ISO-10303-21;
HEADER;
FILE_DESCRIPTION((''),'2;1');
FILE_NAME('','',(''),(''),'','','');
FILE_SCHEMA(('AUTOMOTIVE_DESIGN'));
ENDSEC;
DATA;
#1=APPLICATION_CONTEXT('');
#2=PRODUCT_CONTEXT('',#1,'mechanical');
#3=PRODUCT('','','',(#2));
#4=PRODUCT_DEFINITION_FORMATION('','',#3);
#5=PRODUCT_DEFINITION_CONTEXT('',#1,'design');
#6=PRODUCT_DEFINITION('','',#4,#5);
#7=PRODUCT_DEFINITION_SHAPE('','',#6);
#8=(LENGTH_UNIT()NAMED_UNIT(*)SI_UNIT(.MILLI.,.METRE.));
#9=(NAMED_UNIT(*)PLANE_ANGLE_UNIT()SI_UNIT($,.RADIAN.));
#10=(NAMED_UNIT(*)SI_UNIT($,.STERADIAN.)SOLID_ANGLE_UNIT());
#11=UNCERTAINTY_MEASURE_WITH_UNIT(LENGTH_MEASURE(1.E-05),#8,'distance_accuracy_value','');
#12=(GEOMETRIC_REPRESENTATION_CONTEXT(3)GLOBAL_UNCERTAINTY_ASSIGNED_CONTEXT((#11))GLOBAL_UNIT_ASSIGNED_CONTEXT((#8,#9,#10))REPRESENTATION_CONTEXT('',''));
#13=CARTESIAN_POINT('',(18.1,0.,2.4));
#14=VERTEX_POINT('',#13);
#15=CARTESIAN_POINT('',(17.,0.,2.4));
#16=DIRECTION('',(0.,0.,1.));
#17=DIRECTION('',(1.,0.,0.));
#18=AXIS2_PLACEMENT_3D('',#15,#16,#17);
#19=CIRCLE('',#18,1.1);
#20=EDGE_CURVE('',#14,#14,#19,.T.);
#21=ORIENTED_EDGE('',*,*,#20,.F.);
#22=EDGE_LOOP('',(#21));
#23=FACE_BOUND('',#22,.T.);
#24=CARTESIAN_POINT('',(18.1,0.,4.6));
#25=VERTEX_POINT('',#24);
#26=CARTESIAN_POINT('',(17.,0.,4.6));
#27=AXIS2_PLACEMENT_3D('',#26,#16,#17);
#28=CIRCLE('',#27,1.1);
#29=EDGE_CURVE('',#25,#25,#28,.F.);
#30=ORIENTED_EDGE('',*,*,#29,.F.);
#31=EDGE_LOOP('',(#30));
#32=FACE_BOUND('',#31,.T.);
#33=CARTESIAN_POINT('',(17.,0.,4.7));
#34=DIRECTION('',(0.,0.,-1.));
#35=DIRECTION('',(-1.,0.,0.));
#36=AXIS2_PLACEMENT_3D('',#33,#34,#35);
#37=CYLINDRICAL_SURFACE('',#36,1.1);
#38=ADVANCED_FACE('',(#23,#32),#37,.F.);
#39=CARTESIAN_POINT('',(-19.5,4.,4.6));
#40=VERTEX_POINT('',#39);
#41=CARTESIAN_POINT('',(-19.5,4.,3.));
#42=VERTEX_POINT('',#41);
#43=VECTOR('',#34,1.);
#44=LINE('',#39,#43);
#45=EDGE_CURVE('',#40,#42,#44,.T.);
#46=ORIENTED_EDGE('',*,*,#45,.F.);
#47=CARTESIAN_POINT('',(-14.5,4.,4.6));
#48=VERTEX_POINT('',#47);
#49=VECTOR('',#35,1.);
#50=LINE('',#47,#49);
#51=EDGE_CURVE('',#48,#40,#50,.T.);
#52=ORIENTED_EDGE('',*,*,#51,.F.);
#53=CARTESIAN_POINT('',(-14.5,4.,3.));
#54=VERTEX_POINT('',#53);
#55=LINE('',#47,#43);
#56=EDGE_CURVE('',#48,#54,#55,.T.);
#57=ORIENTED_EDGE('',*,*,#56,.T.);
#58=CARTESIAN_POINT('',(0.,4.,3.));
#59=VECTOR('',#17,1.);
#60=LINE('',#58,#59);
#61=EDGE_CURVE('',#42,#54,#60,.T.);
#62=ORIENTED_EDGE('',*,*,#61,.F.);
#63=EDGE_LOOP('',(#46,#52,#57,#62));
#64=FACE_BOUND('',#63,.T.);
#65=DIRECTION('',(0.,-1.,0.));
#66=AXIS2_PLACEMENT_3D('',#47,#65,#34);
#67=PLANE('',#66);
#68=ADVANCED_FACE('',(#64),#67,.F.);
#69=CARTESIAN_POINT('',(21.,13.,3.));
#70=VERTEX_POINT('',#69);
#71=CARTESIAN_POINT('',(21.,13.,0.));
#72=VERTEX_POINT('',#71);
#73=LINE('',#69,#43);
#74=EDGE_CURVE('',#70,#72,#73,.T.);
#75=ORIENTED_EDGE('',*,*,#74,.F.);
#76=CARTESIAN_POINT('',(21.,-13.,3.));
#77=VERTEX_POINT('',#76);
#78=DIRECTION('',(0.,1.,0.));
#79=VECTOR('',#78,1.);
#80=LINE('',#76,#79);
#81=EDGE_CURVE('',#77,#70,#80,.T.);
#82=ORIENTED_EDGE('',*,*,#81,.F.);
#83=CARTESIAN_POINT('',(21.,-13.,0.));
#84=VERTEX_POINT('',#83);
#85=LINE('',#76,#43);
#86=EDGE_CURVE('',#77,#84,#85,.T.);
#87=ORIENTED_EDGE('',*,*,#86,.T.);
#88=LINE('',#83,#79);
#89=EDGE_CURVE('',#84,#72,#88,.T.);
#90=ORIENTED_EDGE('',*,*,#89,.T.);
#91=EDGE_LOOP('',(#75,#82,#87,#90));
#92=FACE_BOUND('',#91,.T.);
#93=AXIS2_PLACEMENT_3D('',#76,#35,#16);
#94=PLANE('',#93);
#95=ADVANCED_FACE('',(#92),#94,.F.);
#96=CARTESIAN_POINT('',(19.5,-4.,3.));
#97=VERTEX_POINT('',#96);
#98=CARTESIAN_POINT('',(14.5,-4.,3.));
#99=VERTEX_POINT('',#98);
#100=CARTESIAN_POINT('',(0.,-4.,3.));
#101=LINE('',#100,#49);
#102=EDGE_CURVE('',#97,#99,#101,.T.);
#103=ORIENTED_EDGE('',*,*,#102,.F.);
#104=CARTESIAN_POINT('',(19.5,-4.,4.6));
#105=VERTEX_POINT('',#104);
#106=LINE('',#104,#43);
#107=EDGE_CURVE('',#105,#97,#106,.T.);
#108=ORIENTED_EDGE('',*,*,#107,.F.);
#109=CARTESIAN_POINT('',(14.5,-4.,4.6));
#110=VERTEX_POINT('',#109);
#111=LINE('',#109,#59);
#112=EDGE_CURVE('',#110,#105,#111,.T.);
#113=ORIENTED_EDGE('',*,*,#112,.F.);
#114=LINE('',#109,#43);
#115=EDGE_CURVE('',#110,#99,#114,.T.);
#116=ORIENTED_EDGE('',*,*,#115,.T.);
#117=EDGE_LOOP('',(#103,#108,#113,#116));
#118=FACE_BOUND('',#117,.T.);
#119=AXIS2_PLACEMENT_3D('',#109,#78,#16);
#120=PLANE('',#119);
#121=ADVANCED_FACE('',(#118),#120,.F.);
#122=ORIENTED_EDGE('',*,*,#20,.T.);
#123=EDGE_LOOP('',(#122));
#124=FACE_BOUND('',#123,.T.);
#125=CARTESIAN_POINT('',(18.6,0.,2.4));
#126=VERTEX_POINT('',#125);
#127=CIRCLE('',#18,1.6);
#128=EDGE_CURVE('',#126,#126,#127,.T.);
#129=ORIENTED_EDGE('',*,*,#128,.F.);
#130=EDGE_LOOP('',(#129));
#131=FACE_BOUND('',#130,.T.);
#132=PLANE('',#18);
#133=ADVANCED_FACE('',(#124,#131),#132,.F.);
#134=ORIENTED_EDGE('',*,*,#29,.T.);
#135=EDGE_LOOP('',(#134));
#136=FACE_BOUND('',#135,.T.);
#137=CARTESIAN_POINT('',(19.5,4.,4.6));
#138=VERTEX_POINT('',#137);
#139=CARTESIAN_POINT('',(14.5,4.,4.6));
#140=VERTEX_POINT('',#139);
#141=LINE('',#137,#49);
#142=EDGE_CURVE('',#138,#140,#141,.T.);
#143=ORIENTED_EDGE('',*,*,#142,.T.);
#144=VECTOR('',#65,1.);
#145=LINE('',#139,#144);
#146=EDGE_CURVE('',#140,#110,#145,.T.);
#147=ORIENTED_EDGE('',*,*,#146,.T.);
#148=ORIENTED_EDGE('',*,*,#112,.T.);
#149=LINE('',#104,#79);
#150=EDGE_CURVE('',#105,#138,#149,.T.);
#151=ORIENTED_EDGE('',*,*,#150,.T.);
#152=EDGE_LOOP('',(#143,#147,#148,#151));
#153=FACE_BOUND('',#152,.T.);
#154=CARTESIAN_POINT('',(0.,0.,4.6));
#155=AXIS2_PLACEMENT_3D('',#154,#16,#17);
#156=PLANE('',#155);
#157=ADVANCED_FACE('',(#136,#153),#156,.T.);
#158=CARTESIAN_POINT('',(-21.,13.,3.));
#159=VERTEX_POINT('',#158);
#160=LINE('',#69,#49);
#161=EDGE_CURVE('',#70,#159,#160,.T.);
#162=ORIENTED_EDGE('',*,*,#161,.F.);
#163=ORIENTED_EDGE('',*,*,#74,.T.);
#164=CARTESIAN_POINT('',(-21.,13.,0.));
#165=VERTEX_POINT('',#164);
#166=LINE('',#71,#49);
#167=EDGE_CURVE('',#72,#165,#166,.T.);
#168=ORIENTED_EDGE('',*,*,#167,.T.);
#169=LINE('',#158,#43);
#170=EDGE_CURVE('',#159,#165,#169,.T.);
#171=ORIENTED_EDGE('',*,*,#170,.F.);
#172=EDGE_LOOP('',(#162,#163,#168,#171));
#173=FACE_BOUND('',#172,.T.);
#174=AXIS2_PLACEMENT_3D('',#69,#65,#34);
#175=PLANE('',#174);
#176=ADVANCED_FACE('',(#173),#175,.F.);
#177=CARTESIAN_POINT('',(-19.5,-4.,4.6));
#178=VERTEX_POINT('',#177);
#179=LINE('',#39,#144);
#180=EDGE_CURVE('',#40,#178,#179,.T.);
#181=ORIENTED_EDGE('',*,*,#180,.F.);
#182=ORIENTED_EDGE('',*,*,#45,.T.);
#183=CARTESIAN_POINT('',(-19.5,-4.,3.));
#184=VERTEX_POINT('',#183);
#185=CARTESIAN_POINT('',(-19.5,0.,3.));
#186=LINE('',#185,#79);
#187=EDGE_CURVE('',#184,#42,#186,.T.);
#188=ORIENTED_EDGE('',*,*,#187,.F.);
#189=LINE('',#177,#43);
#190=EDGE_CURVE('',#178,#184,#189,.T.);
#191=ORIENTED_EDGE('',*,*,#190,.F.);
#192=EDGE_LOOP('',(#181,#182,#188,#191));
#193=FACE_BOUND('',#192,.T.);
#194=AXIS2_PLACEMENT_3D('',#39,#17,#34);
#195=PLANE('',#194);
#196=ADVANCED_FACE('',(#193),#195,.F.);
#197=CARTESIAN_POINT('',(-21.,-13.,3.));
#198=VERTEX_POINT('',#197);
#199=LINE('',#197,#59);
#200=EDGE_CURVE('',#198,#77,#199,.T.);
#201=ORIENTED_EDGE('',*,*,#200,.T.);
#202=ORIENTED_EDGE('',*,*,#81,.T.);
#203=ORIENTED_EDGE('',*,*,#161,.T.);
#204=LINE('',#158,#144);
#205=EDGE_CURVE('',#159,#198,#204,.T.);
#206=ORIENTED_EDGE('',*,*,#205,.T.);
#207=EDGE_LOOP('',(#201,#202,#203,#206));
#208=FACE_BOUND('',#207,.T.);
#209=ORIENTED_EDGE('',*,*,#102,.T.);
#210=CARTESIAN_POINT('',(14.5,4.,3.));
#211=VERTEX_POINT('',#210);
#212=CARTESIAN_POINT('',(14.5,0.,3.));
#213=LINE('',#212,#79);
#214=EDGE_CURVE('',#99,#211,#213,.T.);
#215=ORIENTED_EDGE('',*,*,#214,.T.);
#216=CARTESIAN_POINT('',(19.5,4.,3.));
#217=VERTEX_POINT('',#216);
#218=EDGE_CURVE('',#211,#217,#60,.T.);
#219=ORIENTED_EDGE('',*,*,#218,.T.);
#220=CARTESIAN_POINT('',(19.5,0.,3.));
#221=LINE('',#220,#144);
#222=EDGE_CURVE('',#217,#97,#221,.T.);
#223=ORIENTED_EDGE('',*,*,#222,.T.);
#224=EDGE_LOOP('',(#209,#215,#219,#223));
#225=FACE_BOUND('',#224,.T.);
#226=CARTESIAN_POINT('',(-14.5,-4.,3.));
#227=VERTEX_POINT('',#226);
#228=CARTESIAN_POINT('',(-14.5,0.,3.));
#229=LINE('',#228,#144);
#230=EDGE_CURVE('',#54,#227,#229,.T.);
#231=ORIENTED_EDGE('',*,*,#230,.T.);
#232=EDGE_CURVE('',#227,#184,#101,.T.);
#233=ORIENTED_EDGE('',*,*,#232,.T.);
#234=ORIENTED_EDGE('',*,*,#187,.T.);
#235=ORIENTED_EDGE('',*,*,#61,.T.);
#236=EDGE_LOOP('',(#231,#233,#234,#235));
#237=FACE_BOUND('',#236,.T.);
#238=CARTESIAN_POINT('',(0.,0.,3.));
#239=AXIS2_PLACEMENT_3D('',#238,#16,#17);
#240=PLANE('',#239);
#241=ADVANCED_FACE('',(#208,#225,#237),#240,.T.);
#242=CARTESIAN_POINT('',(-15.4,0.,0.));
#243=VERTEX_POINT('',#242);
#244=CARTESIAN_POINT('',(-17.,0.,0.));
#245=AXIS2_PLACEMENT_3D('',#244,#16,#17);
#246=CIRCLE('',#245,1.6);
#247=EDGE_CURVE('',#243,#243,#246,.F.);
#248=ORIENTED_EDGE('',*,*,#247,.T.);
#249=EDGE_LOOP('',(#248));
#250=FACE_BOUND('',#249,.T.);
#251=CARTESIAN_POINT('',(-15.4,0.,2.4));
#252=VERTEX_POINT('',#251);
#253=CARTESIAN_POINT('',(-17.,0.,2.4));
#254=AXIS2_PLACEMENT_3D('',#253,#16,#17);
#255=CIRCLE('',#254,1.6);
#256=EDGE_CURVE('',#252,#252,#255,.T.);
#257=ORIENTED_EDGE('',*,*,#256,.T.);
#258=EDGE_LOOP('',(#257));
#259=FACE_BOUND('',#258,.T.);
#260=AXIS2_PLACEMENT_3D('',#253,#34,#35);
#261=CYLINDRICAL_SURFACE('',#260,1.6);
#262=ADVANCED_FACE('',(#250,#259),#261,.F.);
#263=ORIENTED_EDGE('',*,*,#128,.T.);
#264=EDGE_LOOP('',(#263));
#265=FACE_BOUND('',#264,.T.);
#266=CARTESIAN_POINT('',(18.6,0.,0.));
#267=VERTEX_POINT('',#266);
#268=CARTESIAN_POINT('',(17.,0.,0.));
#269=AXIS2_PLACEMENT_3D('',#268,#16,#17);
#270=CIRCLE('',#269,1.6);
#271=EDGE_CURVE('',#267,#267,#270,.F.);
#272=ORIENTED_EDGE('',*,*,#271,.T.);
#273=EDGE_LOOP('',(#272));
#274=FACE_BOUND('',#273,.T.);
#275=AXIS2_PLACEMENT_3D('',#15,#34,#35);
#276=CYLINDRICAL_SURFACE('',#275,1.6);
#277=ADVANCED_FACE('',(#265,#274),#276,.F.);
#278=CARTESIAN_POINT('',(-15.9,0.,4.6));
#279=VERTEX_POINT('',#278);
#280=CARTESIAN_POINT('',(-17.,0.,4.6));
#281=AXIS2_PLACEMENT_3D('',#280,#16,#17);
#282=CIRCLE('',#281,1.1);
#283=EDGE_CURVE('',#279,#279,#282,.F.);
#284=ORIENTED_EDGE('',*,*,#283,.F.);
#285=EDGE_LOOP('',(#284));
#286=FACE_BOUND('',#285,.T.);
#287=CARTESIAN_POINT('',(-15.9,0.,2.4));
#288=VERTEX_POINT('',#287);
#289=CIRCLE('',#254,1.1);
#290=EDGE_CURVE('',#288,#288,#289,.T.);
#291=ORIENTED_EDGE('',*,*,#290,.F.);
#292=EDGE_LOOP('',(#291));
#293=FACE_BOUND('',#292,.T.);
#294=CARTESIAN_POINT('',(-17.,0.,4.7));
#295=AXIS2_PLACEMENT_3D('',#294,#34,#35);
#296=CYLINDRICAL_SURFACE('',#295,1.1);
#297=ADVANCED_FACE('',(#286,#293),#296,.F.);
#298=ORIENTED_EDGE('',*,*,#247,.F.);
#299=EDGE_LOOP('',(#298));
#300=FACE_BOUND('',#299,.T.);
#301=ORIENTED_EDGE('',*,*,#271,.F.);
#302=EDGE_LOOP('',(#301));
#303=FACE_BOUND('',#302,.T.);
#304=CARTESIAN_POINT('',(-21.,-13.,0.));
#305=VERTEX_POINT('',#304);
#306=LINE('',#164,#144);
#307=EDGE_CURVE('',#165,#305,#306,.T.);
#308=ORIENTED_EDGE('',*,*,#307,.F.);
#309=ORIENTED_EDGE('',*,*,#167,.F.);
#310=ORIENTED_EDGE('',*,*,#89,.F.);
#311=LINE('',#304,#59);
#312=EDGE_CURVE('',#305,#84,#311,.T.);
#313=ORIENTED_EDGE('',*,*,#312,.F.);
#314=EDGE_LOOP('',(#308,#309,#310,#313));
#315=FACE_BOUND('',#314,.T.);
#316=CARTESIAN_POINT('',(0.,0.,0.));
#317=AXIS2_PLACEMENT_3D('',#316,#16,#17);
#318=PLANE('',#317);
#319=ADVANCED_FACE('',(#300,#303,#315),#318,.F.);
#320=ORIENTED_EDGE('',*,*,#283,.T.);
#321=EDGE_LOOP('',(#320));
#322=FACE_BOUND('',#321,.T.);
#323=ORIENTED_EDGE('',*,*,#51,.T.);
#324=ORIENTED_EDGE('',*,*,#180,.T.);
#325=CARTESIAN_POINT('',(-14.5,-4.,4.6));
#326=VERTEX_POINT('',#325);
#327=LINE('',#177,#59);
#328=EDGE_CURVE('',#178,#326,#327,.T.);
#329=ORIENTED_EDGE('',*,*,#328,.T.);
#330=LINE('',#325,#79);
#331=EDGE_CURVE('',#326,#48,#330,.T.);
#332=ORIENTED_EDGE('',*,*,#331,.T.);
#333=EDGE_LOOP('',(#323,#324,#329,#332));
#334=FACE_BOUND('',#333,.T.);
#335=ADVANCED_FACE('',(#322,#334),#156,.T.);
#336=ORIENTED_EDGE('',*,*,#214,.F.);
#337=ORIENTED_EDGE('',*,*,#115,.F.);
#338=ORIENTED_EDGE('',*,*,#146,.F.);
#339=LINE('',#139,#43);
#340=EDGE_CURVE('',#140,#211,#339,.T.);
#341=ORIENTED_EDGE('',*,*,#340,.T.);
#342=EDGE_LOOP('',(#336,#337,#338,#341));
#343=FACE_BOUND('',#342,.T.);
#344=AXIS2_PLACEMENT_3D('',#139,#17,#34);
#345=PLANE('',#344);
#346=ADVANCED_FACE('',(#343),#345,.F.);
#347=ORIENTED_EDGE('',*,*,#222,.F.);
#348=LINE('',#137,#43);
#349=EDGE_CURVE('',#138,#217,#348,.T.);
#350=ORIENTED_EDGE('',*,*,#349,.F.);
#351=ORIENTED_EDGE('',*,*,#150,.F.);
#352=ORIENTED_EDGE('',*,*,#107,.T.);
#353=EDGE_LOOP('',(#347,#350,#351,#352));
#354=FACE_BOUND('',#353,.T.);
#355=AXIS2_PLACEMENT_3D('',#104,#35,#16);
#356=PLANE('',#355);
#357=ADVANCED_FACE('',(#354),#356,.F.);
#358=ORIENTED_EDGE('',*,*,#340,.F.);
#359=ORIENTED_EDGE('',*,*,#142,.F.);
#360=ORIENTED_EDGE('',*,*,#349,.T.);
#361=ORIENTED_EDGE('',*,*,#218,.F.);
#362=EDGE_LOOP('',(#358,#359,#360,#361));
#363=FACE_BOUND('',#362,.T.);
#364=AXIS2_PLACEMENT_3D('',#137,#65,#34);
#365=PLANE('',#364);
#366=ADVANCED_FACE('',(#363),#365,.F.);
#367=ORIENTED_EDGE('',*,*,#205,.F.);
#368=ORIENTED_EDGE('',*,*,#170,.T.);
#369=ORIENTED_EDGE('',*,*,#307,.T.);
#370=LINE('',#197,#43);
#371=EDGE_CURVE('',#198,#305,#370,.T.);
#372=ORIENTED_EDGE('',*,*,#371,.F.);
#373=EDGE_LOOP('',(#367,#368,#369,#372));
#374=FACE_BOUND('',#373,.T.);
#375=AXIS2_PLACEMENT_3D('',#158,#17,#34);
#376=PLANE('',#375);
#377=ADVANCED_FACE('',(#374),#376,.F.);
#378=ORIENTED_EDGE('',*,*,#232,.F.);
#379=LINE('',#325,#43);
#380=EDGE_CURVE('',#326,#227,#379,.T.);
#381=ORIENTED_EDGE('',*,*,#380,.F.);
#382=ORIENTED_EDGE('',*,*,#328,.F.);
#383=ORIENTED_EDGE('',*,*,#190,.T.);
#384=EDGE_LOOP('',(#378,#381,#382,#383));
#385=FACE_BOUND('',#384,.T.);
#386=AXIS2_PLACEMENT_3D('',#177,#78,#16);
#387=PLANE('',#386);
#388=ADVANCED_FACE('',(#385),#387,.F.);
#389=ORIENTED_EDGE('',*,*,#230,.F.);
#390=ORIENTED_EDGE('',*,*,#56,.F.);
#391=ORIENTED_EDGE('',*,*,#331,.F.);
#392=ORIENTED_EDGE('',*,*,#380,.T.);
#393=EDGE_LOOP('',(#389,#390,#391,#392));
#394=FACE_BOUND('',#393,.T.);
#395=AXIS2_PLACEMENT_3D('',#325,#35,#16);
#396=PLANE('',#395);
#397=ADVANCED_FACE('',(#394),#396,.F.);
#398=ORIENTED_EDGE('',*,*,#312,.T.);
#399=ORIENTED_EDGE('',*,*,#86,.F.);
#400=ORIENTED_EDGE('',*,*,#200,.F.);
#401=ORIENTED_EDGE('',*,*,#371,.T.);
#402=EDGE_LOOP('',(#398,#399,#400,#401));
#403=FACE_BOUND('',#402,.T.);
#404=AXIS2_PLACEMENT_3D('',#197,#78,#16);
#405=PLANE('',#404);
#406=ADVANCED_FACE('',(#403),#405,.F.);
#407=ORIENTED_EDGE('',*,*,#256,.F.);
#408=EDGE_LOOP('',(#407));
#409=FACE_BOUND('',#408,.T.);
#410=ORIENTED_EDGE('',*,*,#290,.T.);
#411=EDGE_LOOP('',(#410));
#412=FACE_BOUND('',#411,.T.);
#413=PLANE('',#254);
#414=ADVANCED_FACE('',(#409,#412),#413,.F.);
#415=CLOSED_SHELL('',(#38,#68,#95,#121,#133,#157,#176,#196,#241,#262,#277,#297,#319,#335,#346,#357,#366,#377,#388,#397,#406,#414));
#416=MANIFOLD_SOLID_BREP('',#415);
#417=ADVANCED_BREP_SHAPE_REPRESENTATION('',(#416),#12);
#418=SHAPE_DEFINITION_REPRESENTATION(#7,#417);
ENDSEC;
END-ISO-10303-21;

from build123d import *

# Parameters (mm, degrees)
MOUNTING_PLATE_SKETCH_W       = 42
MOUNTING_PLATE_SKETCH_H       = 26
MOUNTING_PLATE_DEPTH          = 3
CLAMP_SEAT_1_SKETCH_W         = 5
CLAMP_SEAT_1_SKETCH_H         = 8
CLAMP_SEAT_1_DEPTH            = 1.7
M2_SCREW_CLEARANCE_1_SKETCH_R = 1.1
M2_SCREW_CLEARANCE_1_DEPTH    = 4.8
M2_INSERT_POCKET_1_SKETCH_R   = 1.6
M2_INSERT_POCKET_1_DEPTH      = 2.5
CLAMP_SEAT_2_SKETCH_W         = 5
CLAMP_SEAT_2_SKETCH_H         = 8
CLAMP_SEAT_2_DEPTH            = 1.7
M2_SCREW_CLEARANCE_2_SKETCH_R = 1.1
M2_SCREW_CLEARANCE_2_DEPTH    = 4.8
M2_INSERT_POCKET_2_SKETCH_R   = 1.6
M2_INSERT_POCKET_2_DEPTH      = 2.5


with BuildPart() as part:
    # Mounting Plate Sketch → Mounting Plate (new body)
    with BuildSketch(Plane.XY):
        Rectangle(MOUNTING_PLATE_SKETCH_W, MOUNTING_PLATE_SKETCH_H)
    extrude(amount=MOUNTING_PLATE_DEPTH)

    # Clamp Seat 1 Sketch → Clamp Seat 1 (add)
    with BuildSketch(Plane.XY.offset(2.9)):
        with Locations((-17, 0)):
            Rectangle(CLAMP_SEAT_1_SKETCH_W, CLAMP_SEAT_1_SKETCH_H)
    extrude(amount=CLAMP_SEAT_1_DEPTH)

    # M2 Screw Clearance 1 Sketch → M2 Screw Clearance 1 (cut)
    with BuildSketch(Plane.XY.offset(-0.1)):
        with Locations((-17, 0)):
            Circle(M2_SCREW_CLEARANCE_1_SKETCH_R)
    extrude(amount=M2_SCREW_CLEARANCE_1_DEPTH, mode=Mode.SUBTRACT)

    # M2 Insert Pocket 1 Sketch → M2 Insert Pocket 1 (cut)
    with BuildSketch(Plane.XY.offset(-0.1)):
        with Locations((-17, 0)):
            Circle(M2_INSERT_POCKET_1_SKETCH_R)
    extrude(amount=M2_INSERT_POCKET_1_DEPTH, mode=Mode.SUBTRACT)

    # Clamp Seat 2 Sketch → Clamp Seat 2 (add)
    with BuildSketch(Plane.XY.offset(2.9)):
        with Locations((17, 0)):
            Rectangle(CLAMP_SEAT_2_SKETCH_W, CLAMP_SEAT_2_SKETCH_H)
    extrude(amount=CLAMP_SEAT_2_DEPTH)

    # M2 Screw Clearance 2 Sketch → M2 Screw Clearance 2 (cut)
    with BuildSketch(Plane.XY.offset(-0.1)):
        with Locations((17, 0)):
            Circle(M2_SCREW_CLEARANCE_2_SKETCH_R)
    extrude(amount=M2_SCREW_CLEARANCE_2_DEPTH, mode=Mode.SUBTRACT)

    # M2 Insert Pocket 2 Sketch → M2 Insert Pocket 2 (cut)
    with BuildSketch(Plane.XY.offset(-0.1)):
        with Locations((17, 0)):
            Circle(M2_INSERT_POCKET_2_SKETCH_R)
    extrude(amount=M2_INSERT_POCKET_2_DEPTH, mode=Mode.SUBTRACT)


solid = part.part
